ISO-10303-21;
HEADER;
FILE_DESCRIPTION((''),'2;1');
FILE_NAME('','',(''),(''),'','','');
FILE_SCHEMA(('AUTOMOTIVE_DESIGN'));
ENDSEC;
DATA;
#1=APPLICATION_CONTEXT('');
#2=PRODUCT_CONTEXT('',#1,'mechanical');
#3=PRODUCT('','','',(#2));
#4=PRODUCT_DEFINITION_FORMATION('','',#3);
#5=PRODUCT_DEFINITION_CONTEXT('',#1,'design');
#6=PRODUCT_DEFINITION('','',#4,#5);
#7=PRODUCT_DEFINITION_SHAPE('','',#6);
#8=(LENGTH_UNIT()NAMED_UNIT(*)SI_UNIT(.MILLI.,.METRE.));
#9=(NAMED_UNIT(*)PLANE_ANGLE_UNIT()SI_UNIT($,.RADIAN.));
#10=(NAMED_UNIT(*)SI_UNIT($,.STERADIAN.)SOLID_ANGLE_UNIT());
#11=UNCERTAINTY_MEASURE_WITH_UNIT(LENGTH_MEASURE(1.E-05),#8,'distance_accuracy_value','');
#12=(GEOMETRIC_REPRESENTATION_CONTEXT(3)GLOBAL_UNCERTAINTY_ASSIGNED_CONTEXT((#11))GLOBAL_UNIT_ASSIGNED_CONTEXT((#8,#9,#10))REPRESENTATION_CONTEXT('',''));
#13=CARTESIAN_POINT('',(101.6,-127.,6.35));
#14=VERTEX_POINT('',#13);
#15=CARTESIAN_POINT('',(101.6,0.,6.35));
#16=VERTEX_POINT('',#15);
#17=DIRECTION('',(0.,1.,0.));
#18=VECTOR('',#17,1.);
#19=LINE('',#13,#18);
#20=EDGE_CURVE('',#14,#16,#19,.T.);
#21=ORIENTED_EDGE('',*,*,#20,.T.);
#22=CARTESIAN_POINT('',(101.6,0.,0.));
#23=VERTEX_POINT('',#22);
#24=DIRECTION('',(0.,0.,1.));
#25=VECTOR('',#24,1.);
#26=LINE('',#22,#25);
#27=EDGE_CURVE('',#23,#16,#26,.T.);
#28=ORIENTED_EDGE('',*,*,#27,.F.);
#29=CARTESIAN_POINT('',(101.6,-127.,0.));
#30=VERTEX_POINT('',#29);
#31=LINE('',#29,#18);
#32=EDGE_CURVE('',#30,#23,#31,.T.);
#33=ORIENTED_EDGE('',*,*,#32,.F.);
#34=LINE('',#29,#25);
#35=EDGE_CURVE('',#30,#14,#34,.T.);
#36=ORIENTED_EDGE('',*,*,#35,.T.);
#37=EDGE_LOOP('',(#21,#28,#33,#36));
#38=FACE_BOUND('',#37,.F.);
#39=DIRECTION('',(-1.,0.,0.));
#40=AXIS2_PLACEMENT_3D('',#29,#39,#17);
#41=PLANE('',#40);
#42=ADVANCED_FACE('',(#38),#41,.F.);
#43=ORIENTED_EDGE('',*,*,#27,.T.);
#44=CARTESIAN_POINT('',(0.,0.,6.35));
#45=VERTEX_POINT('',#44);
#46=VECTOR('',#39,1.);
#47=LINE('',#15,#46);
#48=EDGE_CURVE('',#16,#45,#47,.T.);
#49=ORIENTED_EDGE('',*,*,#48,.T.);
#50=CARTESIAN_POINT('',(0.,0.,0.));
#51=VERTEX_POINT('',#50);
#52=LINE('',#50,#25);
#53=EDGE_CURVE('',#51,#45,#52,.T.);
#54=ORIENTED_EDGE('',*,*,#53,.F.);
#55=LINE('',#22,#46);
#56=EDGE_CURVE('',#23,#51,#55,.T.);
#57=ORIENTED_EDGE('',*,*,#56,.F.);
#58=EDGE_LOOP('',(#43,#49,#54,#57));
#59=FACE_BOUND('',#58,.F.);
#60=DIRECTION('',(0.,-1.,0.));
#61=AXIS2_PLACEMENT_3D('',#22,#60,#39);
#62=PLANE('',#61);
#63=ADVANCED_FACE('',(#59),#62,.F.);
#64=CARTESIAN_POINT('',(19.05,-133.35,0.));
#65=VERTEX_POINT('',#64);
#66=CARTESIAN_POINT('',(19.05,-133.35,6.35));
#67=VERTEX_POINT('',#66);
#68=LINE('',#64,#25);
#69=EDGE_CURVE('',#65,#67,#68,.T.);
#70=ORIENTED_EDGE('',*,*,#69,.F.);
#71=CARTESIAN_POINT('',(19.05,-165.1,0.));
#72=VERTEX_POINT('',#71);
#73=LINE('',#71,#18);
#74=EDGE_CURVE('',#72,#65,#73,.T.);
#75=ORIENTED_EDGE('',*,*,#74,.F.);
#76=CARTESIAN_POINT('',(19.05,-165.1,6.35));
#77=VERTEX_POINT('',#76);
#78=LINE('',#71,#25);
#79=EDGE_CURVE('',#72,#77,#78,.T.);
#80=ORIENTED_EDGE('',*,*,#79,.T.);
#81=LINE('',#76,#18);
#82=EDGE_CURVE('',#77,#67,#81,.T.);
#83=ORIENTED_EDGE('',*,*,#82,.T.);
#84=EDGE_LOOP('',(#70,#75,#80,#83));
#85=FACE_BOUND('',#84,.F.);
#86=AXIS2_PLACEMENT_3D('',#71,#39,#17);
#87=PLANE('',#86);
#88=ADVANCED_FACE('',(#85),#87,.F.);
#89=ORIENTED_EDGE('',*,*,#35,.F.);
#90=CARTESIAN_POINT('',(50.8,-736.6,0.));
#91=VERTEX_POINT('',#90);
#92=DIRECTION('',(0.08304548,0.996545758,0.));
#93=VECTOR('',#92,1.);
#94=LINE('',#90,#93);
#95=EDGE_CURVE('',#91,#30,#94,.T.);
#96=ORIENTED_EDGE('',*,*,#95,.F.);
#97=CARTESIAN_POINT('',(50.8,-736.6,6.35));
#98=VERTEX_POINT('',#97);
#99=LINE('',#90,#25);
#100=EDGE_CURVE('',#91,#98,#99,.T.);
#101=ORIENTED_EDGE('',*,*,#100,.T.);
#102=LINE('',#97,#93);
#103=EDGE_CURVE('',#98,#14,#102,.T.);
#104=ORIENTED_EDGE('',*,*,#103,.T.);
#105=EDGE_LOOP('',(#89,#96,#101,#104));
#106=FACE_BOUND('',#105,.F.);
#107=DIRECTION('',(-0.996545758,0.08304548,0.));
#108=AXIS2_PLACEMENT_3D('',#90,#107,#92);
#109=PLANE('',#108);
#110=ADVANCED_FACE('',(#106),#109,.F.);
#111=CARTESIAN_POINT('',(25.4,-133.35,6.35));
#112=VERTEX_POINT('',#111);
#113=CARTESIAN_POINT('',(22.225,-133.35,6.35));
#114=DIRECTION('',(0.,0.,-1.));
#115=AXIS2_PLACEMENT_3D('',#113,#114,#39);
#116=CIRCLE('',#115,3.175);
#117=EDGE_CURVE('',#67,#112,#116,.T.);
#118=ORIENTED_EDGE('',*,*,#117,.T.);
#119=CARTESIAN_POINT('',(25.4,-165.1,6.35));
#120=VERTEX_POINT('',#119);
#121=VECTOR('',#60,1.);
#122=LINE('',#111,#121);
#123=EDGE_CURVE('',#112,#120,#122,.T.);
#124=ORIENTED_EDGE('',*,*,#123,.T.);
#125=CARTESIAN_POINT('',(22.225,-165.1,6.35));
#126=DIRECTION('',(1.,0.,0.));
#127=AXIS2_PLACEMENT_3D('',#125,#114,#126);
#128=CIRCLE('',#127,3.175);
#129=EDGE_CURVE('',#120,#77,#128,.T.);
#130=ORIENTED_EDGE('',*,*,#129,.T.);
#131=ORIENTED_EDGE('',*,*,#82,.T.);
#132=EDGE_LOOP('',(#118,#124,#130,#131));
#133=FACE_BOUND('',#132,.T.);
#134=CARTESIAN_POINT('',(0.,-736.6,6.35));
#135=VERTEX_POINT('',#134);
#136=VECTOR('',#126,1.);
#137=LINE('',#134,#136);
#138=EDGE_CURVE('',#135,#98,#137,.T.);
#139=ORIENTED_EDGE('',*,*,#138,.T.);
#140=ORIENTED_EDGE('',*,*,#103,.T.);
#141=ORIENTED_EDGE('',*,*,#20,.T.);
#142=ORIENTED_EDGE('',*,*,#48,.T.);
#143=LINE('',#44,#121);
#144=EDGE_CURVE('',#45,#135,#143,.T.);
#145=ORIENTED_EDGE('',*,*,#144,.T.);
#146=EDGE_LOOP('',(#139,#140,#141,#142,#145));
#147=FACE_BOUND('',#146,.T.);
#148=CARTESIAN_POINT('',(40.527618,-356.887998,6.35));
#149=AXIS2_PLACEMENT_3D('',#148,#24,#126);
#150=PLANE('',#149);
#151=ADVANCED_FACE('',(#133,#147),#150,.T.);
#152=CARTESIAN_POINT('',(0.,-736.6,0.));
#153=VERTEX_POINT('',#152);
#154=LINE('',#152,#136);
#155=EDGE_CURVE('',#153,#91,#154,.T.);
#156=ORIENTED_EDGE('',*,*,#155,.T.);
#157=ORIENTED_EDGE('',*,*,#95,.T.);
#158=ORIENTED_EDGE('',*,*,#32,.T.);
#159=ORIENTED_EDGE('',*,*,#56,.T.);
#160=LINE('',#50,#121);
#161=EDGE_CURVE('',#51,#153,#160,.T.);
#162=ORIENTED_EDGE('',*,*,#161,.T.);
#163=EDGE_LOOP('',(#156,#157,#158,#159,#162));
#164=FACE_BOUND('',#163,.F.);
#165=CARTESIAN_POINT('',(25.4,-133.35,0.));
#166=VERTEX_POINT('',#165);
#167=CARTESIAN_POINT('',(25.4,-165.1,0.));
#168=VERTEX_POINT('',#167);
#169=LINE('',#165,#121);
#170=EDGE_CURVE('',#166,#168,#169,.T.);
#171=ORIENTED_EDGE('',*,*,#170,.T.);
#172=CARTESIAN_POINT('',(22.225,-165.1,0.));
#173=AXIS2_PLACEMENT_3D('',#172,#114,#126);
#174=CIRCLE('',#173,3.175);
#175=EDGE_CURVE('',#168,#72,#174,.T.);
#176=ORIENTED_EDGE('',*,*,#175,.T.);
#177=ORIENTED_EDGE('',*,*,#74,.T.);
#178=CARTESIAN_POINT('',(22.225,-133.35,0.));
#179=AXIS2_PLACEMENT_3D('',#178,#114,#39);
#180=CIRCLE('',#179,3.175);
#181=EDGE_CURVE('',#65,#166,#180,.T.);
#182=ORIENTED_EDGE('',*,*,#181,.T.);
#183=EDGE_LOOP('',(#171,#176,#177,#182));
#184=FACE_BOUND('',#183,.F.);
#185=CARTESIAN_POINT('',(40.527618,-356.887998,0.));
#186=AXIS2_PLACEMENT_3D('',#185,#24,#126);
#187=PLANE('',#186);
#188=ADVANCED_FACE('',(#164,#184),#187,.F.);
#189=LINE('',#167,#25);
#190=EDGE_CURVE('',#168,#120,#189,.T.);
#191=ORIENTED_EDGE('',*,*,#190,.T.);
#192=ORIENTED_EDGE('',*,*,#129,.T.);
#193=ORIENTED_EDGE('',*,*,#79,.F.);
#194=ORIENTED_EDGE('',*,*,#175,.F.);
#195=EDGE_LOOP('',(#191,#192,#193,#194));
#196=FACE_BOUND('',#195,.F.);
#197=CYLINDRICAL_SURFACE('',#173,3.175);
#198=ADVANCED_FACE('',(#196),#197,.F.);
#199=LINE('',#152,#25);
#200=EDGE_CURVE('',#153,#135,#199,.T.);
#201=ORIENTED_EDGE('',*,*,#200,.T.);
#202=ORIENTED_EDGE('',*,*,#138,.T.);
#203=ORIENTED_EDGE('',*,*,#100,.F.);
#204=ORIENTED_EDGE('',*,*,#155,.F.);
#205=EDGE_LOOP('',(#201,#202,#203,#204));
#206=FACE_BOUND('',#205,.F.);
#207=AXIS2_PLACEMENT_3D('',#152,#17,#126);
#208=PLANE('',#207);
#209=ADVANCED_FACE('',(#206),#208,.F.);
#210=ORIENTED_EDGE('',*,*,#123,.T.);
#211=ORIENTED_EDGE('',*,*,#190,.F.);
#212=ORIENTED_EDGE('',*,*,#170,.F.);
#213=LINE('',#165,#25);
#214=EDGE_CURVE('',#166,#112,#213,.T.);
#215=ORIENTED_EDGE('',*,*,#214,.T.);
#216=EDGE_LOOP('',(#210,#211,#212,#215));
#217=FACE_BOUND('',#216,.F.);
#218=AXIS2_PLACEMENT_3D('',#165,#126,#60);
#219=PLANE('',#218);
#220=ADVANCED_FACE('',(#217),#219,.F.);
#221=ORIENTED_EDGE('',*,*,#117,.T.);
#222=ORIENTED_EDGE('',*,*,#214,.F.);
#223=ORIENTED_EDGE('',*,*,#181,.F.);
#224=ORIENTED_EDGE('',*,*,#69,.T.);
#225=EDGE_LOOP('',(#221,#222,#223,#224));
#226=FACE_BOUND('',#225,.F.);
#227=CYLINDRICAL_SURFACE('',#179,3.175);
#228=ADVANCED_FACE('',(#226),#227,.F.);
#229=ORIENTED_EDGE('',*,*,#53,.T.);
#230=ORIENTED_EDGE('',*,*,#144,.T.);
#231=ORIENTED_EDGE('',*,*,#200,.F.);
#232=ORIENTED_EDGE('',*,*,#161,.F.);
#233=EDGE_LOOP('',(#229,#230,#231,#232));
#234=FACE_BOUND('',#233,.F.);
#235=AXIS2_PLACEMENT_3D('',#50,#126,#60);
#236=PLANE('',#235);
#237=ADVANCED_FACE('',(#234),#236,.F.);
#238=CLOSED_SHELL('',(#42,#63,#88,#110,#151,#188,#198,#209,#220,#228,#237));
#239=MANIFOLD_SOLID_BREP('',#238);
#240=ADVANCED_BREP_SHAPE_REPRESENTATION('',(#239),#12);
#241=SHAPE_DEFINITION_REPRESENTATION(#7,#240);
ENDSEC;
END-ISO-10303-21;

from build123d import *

# Parameters (mm, degrees)
F1_DEPTH = 6.35


with BuildPart() as f1:
    # F0 (on Top) → F1 (new body)
    with BuildSketch(Plane.XY):
        Polygon((101.6, 0), (0, 0), (0, -736.6), (50.8, -736.6), (101.6, -127), align=None)
        with BuildLine():
            ThreePointArc((19.05, -133.35), (22.225, -130.175), (25.4, -133.35))
            Line((25.4, -133.35), (25.4, -165.1))
            ThreePointArc((25.4, -165.1), (22.225, -168.275), (19.05, -165.1))
            Line((19.05, -165.1), (19.05, -133.35))
        make_face(mode=Mode.SUBTRACT)
    extrude(amount=F1_DEPTH)


solid = f1.part
